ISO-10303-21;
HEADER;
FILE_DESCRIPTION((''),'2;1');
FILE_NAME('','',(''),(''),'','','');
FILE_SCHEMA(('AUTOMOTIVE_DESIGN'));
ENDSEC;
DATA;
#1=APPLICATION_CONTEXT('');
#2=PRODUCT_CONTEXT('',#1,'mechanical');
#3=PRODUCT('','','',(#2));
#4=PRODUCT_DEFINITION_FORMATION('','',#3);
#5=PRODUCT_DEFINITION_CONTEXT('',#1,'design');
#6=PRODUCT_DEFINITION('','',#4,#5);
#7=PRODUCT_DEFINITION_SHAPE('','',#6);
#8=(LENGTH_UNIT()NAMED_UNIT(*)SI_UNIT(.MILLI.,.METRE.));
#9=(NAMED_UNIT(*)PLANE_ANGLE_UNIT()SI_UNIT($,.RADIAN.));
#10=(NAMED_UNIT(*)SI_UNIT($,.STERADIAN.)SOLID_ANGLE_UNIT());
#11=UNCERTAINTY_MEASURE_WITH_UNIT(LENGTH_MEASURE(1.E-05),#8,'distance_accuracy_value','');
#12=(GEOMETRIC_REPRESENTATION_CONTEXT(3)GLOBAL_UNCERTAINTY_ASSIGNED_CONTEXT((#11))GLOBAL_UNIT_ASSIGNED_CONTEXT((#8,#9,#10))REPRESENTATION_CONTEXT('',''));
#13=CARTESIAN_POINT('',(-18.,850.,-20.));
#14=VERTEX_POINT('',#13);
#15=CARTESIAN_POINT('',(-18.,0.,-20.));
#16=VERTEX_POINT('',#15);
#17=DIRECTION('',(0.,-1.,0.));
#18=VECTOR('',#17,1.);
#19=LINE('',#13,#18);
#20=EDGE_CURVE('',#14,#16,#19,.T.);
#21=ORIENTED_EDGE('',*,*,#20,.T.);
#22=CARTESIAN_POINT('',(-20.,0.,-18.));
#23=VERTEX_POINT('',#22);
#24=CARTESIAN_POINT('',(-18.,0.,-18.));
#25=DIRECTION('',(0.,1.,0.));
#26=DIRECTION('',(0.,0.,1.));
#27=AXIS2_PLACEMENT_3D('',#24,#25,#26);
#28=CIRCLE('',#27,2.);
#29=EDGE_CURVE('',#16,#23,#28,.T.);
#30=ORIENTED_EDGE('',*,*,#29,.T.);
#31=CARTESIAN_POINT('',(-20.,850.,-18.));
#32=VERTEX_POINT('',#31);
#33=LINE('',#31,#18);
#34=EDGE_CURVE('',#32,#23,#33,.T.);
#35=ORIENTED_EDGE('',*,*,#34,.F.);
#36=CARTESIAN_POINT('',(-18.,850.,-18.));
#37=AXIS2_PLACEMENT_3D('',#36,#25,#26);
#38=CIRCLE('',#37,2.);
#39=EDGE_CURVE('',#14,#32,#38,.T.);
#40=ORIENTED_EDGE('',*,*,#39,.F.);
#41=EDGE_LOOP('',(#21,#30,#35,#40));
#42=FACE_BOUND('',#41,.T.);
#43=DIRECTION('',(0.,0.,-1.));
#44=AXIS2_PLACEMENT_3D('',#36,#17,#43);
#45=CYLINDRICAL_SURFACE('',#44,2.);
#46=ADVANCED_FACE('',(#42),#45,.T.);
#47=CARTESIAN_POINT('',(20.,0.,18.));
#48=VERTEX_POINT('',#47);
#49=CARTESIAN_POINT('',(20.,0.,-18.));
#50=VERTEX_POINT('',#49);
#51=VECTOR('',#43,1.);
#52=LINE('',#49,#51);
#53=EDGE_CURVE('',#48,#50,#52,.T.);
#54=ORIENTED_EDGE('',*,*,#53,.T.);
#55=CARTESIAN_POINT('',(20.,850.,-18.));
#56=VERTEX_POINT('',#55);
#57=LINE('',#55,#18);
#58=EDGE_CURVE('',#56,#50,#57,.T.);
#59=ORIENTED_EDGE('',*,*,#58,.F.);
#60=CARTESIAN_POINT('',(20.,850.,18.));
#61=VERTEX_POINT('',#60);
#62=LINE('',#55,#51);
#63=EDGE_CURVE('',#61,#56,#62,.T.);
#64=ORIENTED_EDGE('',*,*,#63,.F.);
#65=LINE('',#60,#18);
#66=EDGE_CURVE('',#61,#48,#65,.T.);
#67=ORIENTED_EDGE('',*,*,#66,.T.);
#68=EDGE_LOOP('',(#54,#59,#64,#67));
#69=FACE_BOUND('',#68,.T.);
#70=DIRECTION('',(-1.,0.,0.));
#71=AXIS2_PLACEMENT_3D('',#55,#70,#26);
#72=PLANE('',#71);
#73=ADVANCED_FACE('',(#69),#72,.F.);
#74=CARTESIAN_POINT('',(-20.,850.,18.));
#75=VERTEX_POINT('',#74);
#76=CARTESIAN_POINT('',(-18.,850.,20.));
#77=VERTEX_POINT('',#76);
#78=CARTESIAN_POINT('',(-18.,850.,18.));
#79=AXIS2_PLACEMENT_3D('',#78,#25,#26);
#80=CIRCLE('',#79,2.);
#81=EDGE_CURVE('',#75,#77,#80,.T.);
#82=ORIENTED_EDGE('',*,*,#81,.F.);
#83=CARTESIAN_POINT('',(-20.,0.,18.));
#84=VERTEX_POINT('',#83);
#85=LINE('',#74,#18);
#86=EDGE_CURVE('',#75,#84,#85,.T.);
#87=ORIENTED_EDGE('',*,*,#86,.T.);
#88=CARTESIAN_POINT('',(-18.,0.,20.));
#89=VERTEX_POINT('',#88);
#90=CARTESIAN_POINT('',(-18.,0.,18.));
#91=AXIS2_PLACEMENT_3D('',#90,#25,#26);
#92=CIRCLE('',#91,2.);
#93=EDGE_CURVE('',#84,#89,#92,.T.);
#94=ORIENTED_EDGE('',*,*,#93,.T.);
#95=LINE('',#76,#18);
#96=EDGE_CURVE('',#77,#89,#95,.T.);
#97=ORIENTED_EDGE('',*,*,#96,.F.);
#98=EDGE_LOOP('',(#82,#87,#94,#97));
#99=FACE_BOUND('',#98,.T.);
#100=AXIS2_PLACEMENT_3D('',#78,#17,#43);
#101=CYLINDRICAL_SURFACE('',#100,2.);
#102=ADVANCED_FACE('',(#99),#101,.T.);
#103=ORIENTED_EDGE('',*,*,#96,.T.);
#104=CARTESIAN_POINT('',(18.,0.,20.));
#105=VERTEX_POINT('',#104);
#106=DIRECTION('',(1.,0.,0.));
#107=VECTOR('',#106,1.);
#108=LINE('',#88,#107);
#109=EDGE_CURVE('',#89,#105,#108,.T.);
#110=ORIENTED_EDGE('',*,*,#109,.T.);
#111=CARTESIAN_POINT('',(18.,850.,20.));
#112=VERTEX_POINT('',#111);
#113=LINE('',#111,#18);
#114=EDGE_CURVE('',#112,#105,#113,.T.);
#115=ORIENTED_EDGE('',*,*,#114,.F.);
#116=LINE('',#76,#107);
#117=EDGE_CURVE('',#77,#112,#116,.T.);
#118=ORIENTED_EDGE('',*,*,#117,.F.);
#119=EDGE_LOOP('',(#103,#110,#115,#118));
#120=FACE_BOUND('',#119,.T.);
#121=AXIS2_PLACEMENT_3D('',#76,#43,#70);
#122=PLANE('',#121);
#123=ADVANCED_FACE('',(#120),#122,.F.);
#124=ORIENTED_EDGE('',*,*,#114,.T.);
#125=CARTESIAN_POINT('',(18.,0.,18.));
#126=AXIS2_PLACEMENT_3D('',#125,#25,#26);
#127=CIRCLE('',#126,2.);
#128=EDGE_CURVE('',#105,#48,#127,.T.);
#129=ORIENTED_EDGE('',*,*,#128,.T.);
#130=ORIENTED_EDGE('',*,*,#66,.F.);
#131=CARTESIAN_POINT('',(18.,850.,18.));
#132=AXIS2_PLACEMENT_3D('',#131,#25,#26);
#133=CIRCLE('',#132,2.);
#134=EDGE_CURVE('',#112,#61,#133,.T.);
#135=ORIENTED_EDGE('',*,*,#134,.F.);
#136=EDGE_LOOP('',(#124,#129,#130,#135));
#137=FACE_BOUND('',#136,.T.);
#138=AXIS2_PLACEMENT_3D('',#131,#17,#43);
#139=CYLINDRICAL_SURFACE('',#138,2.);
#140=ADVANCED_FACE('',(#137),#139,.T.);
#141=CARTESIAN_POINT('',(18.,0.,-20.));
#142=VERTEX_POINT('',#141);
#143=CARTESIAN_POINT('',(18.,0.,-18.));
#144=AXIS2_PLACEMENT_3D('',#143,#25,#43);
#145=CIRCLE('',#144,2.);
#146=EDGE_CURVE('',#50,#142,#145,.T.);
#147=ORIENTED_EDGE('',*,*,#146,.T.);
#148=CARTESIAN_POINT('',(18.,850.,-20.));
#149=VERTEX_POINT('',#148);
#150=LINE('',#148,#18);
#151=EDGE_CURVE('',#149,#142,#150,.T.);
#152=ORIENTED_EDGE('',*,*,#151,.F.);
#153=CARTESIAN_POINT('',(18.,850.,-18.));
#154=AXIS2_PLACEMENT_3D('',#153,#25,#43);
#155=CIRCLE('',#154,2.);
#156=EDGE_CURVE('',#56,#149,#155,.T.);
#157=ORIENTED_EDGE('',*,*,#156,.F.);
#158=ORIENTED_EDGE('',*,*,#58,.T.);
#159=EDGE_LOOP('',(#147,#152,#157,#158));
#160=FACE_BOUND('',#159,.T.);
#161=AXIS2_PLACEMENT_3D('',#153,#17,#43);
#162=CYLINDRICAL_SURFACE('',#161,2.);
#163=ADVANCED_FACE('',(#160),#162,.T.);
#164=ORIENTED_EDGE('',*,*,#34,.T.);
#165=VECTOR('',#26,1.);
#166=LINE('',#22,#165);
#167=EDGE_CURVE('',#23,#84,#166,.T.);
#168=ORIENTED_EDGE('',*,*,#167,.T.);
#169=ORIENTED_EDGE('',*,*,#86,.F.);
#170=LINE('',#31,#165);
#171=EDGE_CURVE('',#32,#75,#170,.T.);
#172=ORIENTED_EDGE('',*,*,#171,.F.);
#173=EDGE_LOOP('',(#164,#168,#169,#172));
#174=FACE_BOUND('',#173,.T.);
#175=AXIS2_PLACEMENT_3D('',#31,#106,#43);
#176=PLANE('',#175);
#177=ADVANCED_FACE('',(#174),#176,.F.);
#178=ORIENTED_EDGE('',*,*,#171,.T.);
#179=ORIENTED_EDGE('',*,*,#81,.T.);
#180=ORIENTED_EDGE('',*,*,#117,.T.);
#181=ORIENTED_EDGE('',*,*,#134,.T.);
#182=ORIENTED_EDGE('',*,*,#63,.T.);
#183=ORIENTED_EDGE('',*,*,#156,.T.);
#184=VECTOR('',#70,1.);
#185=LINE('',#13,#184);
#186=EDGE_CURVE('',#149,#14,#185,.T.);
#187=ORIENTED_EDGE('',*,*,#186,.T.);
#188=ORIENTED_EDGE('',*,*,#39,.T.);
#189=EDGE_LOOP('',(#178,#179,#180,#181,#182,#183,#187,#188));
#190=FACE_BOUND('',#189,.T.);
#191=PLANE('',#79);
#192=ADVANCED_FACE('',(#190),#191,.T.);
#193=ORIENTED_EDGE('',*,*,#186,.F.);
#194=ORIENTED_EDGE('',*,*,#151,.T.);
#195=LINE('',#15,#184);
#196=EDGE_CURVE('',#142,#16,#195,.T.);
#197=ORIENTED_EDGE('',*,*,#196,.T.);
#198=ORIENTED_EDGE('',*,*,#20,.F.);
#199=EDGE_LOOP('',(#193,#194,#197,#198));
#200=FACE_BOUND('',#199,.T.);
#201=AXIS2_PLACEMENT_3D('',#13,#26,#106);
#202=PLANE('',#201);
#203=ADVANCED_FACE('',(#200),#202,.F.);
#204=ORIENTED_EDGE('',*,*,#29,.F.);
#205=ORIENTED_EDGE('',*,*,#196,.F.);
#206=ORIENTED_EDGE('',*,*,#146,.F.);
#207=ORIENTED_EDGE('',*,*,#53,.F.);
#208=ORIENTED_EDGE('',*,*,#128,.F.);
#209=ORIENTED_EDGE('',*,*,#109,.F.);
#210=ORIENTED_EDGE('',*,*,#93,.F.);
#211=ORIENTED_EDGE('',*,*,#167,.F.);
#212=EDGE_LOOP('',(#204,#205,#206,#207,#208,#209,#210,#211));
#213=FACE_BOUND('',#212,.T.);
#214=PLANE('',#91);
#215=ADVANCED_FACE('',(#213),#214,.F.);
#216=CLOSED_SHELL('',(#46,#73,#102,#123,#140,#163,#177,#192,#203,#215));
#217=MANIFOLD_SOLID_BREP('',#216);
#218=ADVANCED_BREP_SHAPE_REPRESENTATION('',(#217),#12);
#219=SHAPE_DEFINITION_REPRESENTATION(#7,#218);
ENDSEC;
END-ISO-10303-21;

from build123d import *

# Parameters (mm, degrees)
BOSS_EXTRUDE1_DEPTH = 850


with BuildPart() as part:
    # Sketch1 → Boss-Extrude1 (new body)
    with BuildSketch(Plane(origin=(0, 0, 0), x_dir=(1, 0, 0), z_dir=(0, 1, 0))):
        with BuildLine():
            Line((-18, 20), (18, 20))
            ThreePointArc((18, 20), (19.414213562, 19.414213562), (20, 18))
            Line((20, 18), (20, -18))
            ThreePointArc((20, -18), (19.414213562, -19.414213562), (18, -20))
            Line((18, -20), (-18, -20))
            ThreePointArc((-18, -20), (-19.414213562, -19.414213562), (-20, -18))
            Line((-20, -18), (-20, 18))
            ThreePointArc((-20, 18), (-19.414213562, 19.414213562), (-18, 20))
        make_face()
    extrude(amount=BOSS_EXTRUDE1_DEPTH)


solid = part.part
